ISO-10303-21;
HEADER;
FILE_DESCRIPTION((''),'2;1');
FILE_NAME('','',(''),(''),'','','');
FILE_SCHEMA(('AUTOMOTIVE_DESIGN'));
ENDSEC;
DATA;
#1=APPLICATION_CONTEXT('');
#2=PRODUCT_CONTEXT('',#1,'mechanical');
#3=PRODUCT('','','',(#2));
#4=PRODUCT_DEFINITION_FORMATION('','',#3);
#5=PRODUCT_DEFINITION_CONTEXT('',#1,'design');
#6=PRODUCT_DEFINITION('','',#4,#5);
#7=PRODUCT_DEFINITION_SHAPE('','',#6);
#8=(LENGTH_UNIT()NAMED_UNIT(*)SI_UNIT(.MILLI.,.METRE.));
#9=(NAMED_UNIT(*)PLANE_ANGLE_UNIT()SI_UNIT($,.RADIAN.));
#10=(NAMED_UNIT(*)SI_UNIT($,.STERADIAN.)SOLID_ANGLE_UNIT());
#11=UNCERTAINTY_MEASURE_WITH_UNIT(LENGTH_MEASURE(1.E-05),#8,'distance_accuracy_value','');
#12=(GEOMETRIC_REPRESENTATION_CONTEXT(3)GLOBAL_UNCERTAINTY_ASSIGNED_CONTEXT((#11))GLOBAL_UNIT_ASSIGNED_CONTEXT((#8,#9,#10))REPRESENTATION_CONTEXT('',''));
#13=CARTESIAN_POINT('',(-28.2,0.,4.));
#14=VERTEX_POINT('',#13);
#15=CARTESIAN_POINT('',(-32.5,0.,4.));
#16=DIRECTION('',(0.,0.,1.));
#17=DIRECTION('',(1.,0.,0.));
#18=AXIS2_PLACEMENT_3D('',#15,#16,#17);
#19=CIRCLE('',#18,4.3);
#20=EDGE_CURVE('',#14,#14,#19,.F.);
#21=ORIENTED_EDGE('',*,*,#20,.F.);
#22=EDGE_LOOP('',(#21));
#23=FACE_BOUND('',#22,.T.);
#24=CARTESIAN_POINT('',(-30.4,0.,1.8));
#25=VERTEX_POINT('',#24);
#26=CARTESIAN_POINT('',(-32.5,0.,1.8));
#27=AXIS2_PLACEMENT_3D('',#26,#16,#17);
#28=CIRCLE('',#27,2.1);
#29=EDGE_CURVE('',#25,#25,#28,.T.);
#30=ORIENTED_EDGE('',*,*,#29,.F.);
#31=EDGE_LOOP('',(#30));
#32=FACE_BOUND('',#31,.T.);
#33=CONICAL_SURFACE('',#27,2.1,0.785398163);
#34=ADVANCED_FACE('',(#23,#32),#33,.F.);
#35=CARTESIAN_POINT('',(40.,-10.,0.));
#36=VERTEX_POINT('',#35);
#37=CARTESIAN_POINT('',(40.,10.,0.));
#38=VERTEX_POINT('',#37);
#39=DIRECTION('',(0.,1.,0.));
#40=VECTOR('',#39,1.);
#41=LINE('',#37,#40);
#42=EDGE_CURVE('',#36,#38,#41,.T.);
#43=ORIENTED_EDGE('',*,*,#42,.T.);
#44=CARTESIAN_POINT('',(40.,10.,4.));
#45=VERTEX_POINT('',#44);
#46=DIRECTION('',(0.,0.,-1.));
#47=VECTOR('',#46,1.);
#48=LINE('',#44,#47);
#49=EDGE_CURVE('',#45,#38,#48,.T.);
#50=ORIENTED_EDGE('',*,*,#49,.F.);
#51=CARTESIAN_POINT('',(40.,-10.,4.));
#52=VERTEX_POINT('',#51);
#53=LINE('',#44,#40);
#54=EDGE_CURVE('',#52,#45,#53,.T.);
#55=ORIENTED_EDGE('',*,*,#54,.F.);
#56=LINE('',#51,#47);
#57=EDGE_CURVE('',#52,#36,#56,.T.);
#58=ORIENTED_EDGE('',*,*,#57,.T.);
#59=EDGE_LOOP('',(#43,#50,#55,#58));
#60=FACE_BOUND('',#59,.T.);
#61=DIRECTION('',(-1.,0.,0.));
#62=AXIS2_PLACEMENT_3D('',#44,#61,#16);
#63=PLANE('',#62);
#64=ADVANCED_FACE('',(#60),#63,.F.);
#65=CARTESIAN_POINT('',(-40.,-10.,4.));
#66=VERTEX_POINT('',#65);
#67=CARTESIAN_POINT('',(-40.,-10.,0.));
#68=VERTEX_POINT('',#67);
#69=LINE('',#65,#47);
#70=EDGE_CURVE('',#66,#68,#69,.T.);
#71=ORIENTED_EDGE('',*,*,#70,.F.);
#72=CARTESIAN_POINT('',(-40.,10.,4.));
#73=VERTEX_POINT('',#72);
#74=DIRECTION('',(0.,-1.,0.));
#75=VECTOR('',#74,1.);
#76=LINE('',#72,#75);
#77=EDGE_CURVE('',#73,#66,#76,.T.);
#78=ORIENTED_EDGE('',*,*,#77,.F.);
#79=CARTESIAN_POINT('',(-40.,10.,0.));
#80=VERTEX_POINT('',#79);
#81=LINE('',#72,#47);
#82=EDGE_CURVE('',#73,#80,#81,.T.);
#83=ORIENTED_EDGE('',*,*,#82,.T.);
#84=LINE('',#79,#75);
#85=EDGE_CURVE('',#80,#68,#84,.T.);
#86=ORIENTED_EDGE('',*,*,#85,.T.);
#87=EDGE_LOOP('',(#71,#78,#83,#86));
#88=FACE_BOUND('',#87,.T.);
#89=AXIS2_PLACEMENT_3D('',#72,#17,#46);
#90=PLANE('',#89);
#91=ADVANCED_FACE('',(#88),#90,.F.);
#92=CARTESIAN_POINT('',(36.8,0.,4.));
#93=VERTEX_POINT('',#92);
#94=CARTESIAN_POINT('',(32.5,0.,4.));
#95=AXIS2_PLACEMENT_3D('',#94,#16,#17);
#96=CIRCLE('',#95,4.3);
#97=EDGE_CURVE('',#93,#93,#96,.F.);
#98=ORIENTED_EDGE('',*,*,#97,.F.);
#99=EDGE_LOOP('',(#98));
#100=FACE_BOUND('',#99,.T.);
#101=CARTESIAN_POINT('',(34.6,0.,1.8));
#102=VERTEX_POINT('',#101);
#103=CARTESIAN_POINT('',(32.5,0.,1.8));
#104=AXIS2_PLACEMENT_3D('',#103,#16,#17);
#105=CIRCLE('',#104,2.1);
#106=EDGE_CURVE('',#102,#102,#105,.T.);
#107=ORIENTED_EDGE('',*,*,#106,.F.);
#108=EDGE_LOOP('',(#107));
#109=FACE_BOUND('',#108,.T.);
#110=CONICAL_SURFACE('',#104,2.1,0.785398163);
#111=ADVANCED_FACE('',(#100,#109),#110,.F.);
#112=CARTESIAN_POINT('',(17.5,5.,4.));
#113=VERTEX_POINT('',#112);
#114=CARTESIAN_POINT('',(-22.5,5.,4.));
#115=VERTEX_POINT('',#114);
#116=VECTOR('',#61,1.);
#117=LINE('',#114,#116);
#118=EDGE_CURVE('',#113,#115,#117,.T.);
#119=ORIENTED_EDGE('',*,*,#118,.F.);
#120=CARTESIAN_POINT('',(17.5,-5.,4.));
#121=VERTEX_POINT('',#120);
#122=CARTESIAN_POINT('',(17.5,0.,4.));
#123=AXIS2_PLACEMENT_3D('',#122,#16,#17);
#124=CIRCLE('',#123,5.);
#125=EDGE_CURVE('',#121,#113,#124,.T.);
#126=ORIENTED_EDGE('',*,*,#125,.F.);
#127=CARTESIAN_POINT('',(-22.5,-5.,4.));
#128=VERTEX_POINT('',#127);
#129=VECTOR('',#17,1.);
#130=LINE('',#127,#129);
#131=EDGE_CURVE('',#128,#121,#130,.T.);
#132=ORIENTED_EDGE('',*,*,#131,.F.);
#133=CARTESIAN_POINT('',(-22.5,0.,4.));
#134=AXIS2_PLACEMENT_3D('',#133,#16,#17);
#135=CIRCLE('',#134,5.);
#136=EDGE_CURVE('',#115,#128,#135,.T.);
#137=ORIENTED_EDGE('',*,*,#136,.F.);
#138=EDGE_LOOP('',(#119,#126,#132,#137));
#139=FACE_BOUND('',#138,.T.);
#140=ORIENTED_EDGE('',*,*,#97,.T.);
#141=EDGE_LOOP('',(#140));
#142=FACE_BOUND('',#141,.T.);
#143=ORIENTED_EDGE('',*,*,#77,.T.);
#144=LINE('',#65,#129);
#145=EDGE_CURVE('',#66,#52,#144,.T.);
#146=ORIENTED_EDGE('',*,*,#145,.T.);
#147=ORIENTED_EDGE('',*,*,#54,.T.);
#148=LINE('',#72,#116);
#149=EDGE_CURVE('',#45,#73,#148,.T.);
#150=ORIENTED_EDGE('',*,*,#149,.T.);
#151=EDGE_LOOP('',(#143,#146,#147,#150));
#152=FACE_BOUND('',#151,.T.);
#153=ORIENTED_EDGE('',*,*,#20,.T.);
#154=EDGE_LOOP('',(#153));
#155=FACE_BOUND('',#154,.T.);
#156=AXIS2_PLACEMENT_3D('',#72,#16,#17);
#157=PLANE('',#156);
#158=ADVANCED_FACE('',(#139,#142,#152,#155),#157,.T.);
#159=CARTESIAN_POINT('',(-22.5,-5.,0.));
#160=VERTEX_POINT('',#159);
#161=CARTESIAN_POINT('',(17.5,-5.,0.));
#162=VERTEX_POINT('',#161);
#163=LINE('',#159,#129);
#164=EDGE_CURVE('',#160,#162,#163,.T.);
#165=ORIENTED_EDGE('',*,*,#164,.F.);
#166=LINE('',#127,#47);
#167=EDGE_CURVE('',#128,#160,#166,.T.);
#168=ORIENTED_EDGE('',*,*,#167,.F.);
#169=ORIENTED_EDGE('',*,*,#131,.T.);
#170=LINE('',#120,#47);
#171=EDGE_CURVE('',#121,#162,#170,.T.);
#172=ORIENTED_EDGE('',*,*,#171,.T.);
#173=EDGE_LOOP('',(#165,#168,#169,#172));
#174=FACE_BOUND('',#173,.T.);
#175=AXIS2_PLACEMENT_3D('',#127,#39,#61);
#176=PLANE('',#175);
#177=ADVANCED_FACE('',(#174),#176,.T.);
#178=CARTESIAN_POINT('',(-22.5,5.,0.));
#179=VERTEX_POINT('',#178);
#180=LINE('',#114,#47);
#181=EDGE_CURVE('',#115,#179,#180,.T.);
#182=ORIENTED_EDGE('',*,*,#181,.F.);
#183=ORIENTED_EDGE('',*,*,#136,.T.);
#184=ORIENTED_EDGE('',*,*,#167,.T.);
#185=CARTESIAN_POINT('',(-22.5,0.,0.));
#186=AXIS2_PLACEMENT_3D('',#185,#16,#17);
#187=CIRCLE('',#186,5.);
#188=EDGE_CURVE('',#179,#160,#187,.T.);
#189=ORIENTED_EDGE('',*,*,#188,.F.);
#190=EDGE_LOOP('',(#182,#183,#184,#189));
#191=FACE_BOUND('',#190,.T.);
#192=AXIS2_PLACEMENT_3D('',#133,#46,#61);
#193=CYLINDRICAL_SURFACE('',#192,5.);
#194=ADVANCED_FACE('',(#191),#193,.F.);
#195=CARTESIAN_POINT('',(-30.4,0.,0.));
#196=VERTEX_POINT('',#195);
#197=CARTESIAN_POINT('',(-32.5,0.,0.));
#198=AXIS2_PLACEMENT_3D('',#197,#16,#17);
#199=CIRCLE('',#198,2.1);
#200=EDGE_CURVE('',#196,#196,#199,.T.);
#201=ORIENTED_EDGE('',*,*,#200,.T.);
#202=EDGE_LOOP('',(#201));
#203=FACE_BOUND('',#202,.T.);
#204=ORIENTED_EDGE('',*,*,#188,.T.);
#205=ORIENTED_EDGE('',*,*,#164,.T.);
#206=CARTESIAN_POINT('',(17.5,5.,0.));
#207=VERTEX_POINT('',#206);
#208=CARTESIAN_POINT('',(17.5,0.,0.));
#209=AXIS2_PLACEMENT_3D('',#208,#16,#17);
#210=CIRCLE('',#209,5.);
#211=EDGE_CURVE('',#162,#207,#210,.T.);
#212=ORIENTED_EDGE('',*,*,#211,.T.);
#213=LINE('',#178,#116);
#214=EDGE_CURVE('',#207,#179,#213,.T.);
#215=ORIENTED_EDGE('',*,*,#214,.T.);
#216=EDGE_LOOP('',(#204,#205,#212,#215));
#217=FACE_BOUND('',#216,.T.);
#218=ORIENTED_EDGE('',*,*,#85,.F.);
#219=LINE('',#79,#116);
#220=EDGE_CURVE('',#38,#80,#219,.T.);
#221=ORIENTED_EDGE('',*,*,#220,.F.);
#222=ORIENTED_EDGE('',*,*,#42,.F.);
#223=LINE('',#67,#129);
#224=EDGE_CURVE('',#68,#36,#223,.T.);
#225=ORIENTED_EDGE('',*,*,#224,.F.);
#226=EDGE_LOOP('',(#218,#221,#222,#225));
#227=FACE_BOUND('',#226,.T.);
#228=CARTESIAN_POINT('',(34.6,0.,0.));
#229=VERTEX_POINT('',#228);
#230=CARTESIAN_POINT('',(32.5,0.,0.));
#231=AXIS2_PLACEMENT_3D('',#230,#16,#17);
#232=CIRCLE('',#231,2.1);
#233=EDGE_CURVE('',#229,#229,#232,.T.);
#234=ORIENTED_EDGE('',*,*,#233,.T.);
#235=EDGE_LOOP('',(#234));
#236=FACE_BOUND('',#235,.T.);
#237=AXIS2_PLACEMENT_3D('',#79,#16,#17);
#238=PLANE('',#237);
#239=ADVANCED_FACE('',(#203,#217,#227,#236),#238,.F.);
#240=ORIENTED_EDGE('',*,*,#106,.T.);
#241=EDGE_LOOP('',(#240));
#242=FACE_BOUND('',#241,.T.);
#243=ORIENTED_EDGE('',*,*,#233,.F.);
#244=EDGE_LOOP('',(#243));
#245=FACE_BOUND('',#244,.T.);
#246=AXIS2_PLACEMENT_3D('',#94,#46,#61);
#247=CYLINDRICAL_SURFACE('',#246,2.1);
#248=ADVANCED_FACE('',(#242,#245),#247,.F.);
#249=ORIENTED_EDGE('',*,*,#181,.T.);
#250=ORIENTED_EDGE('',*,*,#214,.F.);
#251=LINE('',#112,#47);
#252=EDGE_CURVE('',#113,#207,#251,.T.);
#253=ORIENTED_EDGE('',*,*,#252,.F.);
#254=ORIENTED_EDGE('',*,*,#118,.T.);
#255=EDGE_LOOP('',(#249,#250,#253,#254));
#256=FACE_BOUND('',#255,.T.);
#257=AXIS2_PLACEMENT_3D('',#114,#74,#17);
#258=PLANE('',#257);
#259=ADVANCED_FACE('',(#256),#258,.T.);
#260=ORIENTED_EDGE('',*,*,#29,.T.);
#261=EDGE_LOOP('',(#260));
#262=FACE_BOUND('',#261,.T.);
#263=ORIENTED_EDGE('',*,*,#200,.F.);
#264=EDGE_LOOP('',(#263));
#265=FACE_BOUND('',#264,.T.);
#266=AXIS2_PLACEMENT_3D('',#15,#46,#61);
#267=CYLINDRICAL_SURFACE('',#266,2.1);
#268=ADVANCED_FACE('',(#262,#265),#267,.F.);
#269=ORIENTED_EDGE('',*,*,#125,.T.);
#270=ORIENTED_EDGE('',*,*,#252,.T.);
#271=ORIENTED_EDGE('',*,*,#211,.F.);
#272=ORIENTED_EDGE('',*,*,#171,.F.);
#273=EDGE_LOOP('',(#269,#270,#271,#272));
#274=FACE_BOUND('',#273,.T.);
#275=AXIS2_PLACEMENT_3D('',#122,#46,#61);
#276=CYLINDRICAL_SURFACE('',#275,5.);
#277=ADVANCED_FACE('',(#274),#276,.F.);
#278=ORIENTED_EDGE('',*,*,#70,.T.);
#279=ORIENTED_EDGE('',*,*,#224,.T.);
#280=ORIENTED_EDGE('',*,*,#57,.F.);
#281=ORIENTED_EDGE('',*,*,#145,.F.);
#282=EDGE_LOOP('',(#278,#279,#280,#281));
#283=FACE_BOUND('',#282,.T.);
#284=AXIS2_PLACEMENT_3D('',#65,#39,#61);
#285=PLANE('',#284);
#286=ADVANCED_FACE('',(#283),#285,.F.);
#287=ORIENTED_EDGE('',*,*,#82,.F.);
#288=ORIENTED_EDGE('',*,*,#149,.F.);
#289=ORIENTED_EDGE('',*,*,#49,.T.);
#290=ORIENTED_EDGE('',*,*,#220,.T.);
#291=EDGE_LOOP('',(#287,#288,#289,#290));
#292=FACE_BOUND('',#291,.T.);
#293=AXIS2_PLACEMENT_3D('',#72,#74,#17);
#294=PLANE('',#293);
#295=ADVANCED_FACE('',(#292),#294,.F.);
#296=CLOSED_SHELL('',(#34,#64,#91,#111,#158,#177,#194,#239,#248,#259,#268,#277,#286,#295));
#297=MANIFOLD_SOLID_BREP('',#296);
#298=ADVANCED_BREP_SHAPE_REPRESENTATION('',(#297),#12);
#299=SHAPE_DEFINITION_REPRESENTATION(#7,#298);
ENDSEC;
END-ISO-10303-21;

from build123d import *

# Parameters (mm, degrees)
ESQUISSE1_W      = 80
ESQUISSE1_H      = 20
ESQUISSE1_R      = 2.1
EXTRUSION1_DEPTH = 4
CHANFREIN1_SIZE  = 2.2


with BuildPart() as part:
    # Esquisse1 → Extrusion1 (new body)
    with BuildSketch(Plane.XY):
        Rectangle(ESQUISSE1_W, ESQUISSE1_H)
        with Locations((-32.5, 0)):
            Circle(ESQUISSE1_R, mode=Mode.SUBTRACT)
        with Locations((32.5, 0)):
            Circle(ESQUISSE1_R, mode=Mode.SUBTRACT)
        with BuildLine():
            Line((-22.5, 5), (17.5, 5))
            ThreePointArc((17.5, 5), (22.5, 0), (17.5, -5))
            Line((17.5, -5), (-22.5, -5))
            ThreePointArc((-22.5, -5), (-27.5, 0), (-22.5, 5))
        make_face(mode=Mode.SUBTRACT)
    extrude(amount=EXTRUSION1_DEPTH)

    # Chanfrein1
    chanfrein1_edges = [part.edges().sort_by_distance(p)[0] for p in [
        (-34.6, 0, 4),
        (30.4, 0, 4),
    ]]
    chamfer(chanfrein1_edges, length=CHANFREIN1_SIZE)


solid = part.part
